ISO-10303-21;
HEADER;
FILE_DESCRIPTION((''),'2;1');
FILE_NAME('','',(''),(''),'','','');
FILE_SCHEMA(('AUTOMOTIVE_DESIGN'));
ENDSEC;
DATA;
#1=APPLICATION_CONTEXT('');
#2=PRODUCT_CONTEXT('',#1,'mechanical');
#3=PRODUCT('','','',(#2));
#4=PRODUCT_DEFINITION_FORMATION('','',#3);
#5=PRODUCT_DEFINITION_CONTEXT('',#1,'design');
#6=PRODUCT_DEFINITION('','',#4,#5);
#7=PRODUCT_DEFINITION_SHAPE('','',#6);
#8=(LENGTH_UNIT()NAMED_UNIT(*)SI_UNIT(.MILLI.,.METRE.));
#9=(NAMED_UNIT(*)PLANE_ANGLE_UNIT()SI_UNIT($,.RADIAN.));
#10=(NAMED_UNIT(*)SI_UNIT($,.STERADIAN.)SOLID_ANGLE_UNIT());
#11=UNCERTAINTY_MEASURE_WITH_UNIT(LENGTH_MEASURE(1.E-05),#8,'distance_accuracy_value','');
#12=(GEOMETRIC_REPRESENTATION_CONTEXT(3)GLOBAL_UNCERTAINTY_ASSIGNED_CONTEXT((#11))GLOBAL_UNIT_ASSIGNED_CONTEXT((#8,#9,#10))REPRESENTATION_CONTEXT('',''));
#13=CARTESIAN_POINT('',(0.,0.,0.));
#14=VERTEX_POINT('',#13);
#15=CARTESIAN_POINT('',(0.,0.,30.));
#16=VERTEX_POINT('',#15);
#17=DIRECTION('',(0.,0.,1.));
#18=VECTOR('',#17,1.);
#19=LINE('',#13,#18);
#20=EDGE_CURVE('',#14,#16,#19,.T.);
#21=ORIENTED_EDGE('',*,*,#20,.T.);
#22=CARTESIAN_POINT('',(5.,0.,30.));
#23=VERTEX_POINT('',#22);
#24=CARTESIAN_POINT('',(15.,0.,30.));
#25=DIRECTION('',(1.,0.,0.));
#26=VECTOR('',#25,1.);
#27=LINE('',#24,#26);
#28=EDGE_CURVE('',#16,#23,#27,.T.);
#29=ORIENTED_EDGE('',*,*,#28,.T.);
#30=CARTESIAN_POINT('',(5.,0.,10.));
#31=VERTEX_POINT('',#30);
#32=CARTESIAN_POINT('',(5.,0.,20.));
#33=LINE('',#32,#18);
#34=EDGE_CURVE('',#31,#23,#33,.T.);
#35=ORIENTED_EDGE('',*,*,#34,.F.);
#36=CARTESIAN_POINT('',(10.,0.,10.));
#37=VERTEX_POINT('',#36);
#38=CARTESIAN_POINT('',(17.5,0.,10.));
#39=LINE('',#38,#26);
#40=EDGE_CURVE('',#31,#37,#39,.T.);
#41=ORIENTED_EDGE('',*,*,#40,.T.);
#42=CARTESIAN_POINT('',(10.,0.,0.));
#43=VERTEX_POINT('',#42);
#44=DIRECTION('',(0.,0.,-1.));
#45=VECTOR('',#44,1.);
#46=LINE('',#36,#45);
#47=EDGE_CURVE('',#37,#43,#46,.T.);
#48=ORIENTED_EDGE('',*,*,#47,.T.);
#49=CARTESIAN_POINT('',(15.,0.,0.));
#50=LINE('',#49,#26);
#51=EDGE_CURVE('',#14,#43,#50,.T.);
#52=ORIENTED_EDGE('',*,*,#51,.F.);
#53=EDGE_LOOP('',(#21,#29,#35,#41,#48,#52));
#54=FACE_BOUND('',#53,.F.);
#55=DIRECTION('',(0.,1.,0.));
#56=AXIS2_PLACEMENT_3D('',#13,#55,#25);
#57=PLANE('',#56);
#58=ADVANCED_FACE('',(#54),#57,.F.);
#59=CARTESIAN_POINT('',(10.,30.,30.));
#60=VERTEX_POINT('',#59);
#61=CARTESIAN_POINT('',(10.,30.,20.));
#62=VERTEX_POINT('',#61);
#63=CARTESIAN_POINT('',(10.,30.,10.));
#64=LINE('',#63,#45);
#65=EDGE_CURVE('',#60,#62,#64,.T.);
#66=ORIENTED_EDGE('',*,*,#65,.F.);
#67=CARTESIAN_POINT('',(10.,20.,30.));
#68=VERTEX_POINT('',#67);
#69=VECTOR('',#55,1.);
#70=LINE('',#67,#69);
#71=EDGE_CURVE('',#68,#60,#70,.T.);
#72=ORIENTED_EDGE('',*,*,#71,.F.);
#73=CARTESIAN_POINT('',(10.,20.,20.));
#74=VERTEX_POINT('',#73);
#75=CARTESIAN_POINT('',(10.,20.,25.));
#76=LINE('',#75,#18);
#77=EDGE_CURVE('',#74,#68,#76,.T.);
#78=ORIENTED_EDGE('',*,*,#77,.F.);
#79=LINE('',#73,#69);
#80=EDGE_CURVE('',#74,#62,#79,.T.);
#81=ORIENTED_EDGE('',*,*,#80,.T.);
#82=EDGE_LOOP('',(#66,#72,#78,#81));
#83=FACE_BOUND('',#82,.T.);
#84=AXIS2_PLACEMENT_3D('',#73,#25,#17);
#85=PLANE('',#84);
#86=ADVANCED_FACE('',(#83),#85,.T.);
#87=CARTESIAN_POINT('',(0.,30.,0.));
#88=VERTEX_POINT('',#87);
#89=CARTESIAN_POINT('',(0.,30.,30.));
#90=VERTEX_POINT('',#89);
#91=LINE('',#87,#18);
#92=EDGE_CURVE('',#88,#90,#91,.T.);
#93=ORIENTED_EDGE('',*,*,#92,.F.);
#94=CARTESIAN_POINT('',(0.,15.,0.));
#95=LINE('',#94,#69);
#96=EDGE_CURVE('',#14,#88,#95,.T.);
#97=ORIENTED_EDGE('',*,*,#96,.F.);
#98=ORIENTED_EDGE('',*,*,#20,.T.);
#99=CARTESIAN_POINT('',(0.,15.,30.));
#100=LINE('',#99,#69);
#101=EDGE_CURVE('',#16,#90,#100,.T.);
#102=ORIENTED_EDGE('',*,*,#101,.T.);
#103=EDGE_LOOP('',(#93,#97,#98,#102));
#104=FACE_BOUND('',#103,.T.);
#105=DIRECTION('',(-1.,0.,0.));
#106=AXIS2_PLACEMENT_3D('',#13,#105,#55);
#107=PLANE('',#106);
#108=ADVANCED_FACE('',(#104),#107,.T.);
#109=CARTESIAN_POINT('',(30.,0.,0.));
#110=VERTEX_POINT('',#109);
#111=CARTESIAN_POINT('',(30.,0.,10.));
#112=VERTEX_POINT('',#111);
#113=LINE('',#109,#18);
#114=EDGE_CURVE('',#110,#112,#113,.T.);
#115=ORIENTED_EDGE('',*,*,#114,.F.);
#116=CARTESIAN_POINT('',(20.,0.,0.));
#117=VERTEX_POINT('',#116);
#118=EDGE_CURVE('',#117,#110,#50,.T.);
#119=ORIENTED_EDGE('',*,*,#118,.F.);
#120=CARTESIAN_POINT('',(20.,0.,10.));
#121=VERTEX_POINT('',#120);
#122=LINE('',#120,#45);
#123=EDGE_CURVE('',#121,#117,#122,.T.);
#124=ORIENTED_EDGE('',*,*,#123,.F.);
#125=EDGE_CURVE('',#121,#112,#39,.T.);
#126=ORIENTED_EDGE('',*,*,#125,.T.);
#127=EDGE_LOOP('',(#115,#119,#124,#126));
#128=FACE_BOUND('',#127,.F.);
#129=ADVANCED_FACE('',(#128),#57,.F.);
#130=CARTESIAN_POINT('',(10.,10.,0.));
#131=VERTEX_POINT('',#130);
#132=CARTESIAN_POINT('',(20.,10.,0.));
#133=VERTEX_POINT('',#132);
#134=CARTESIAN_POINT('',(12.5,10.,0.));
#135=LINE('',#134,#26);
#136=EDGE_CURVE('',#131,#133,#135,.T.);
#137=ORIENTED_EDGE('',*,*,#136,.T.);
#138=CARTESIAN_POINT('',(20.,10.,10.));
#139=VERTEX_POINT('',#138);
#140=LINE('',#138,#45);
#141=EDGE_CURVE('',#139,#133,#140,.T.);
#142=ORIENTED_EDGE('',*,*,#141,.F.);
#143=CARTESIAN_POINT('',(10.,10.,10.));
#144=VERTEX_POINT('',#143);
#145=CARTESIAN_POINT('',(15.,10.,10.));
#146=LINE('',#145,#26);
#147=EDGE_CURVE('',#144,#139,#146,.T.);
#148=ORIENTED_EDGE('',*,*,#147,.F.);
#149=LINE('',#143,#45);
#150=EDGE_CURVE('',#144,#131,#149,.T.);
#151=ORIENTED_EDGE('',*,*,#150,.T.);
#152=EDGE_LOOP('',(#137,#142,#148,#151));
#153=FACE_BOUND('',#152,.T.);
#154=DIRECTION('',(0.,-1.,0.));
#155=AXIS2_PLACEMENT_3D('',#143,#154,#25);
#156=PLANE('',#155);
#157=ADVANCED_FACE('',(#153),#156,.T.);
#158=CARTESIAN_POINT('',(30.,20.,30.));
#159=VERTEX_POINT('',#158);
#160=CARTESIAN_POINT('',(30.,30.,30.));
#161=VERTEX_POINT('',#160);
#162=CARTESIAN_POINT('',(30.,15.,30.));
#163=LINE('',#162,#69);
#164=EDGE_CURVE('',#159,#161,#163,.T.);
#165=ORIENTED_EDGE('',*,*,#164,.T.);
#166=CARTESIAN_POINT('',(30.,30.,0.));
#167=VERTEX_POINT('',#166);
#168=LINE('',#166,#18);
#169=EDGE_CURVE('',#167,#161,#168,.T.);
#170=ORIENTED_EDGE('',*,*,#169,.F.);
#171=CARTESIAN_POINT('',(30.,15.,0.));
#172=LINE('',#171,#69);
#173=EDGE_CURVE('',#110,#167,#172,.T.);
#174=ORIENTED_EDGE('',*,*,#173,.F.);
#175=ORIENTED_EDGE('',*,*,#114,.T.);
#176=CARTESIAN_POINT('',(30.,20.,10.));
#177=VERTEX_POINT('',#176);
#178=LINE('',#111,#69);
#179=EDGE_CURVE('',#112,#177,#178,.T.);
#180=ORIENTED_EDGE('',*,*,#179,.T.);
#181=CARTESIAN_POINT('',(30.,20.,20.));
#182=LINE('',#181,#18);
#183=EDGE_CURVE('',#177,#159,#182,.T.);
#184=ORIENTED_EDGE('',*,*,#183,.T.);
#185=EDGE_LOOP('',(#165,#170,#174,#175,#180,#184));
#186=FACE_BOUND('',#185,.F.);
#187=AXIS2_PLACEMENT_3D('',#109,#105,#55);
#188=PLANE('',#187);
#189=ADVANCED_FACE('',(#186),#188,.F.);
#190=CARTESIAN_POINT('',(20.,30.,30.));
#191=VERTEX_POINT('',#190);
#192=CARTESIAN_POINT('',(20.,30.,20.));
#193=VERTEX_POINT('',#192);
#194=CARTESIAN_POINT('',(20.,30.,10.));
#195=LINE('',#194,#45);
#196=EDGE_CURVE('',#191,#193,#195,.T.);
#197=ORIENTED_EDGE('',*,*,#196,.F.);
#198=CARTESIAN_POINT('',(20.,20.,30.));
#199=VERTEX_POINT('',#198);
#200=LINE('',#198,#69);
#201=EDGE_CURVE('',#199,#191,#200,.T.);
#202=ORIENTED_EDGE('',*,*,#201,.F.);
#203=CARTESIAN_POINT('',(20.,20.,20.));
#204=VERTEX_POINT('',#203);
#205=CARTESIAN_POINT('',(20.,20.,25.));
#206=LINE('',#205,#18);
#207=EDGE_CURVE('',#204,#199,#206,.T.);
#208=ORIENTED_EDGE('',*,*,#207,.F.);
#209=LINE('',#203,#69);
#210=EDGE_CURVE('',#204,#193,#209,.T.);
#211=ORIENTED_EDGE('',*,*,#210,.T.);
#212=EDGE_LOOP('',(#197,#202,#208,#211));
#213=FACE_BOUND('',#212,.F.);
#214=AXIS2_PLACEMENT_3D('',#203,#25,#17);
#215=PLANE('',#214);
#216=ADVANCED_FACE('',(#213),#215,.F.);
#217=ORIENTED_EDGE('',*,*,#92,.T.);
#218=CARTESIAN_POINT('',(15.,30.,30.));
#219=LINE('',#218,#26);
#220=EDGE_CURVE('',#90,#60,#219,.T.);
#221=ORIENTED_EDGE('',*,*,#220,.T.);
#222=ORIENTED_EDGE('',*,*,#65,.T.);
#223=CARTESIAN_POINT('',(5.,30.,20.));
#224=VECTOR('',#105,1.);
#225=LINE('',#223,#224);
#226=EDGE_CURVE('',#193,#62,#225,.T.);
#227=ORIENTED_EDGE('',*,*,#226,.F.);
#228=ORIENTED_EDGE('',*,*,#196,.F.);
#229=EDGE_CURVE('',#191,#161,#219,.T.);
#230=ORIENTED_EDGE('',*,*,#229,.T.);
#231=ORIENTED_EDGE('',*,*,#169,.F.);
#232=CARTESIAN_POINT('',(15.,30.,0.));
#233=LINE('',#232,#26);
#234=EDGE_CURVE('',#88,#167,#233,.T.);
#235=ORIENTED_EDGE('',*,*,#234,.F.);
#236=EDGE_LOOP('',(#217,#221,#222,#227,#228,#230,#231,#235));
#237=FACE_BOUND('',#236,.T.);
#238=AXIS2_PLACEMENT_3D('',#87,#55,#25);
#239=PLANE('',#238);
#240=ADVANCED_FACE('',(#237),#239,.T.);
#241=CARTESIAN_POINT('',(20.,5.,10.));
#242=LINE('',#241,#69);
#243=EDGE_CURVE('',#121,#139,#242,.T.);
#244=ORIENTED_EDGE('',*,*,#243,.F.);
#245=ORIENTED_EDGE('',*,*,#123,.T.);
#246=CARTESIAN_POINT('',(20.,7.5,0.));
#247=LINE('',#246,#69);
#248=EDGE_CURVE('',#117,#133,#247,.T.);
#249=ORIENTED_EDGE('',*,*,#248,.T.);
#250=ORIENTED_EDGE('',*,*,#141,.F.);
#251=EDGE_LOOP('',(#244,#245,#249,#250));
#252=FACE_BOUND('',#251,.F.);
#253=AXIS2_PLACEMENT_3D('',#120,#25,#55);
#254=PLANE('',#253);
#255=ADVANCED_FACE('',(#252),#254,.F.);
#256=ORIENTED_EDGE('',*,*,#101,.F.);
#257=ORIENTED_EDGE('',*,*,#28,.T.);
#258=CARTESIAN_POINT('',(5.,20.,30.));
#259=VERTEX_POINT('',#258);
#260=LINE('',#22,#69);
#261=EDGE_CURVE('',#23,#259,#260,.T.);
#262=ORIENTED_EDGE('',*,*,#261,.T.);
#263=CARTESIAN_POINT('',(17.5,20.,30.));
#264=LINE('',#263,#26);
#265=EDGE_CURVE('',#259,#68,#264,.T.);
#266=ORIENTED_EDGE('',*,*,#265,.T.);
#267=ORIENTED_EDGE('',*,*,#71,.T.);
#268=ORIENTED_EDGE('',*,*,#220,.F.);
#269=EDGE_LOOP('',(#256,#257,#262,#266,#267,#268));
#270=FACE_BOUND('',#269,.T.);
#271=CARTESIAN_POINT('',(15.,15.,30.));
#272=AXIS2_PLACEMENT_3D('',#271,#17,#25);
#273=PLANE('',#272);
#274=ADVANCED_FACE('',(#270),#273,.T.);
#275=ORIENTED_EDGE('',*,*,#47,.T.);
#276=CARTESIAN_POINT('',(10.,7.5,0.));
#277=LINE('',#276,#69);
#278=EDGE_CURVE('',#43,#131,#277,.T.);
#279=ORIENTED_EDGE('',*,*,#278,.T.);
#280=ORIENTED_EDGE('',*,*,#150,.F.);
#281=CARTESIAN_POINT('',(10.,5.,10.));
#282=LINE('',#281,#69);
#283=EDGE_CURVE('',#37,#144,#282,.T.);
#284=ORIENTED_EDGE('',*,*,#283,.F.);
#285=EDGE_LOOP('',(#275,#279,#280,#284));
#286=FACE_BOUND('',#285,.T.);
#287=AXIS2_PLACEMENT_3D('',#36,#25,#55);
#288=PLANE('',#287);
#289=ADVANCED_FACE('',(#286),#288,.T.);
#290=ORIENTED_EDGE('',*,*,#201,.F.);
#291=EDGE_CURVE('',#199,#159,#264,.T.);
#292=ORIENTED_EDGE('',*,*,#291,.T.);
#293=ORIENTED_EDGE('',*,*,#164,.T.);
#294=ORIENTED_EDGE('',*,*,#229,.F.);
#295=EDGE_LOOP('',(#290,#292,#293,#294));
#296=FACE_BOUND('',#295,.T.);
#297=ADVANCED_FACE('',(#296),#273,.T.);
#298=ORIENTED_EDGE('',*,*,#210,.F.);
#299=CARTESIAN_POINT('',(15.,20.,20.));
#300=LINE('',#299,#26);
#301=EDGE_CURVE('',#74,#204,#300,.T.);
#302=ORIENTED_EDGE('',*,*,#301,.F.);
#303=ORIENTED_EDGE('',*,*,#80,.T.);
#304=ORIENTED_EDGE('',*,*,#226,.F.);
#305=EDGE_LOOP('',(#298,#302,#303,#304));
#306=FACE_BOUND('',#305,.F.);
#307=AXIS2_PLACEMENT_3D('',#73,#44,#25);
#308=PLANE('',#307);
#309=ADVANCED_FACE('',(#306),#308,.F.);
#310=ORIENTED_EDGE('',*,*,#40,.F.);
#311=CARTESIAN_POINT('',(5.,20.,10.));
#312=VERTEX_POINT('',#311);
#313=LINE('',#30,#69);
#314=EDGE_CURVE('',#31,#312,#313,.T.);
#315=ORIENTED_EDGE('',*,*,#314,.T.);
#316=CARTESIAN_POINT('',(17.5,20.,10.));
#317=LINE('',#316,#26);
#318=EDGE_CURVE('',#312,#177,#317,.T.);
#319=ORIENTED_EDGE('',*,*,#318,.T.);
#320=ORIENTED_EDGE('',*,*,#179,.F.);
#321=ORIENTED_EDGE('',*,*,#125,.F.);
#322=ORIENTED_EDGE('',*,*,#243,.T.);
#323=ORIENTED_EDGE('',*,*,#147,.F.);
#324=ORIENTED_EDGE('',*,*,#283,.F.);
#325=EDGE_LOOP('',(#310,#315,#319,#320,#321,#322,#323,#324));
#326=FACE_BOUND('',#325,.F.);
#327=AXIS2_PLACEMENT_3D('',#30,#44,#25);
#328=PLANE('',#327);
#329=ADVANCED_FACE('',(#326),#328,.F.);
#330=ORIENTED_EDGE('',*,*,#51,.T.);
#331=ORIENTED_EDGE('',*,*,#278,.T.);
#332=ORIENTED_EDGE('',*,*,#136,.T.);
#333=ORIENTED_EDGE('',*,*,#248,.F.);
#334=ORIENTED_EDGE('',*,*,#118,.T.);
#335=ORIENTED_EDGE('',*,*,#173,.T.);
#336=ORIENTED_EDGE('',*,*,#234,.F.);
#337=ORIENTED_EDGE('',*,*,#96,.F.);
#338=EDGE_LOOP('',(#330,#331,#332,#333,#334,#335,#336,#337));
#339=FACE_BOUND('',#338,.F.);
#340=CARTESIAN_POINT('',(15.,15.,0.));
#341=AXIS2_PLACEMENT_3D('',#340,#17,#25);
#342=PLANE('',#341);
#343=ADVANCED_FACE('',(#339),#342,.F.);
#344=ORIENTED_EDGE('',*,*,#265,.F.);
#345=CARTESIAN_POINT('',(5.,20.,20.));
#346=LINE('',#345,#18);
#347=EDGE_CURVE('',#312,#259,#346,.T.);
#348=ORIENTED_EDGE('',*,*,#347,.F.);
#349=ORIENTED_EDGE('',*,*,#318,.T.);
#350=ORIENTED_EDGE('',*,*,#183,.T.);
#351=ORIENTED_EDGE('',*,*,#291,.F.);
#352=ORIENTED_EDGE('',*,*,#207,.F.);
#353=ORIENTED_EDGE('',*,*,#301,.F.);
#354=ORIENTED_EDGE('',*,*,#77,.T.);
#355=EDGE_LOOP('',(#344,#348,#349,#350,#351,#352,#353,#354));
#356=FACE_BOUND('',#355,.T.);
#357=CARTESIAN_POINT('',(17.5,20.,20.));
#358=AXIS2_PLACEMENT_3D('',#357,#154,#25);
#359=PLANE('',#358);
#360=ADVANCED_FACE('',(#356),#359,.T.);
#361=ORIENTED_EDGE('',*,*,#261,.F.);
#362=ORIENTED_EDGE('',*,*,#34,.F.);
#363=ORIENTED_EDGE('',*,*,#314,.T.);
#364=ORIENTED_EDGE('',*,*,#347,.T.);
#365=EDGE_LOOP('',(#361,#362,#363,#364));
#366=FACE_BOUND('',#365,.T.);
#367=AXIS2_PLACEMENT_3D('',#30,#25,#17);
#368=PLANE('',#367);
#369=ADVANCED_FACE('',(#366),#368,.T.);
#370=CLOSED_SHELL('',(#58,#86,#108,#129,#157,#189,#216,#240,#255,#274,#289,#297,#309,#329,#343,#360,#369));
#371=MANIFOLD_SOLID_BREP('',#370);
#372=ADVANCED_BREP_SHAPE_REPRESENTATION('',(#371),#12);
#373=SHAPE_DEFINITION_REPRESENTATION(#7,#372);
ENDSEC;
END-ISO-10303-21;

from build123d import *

# Parameters (mm, degrees)
F0_W     = 30
F0_H     = 30
F1_DEPTH = 30
F2_W     = 25
F2_H     = 20
F3_DEPTH = 20
F4_W     = 10
F4_H     = 10
F5_DEPTH = 10.001
F6_W     = 10
F6_H     = 10
F7_DEPTH = 10.001


with BuildPart() as f1:
    # F0 (on Top) → F1 (new body)
    with BuildSketch(Plane.XY):
        with Locations((15, 15)):
            Rectangle(F0_W, F0_H)
    extrude(amount=F1_DEPTH)

    # F2 (on face) → F3 (cut)
    with BuildSketch(Plane.XZ):
        with Locations((17.5, 20)):
            Rectangle(F2_W, F2_H)
    extrude(amount=-F3_DEPTH, mode=Mode.SUBTRACT)

    # F4 (on face) → F5 (cut, through all)
    with BuildSketch(Plane.XZ.offset(-20)):
        with Locations((15, 25)):
            Rectangle(F4_W, F4_H)
    extrude(amount=-F5_DEPTH, mode=Mode.SUBTRACT)

    # F6 (on face) → F7 (cut, through all)
    with BuildSketch(Plane.XY.offset(10)):
        with Locations((15, 5)):
            Rectangle(F6_W, F6_H)
    extrude(amount=-F7_DEPTH, mode=Mode.SUBTRACT)


solid = f1.part
